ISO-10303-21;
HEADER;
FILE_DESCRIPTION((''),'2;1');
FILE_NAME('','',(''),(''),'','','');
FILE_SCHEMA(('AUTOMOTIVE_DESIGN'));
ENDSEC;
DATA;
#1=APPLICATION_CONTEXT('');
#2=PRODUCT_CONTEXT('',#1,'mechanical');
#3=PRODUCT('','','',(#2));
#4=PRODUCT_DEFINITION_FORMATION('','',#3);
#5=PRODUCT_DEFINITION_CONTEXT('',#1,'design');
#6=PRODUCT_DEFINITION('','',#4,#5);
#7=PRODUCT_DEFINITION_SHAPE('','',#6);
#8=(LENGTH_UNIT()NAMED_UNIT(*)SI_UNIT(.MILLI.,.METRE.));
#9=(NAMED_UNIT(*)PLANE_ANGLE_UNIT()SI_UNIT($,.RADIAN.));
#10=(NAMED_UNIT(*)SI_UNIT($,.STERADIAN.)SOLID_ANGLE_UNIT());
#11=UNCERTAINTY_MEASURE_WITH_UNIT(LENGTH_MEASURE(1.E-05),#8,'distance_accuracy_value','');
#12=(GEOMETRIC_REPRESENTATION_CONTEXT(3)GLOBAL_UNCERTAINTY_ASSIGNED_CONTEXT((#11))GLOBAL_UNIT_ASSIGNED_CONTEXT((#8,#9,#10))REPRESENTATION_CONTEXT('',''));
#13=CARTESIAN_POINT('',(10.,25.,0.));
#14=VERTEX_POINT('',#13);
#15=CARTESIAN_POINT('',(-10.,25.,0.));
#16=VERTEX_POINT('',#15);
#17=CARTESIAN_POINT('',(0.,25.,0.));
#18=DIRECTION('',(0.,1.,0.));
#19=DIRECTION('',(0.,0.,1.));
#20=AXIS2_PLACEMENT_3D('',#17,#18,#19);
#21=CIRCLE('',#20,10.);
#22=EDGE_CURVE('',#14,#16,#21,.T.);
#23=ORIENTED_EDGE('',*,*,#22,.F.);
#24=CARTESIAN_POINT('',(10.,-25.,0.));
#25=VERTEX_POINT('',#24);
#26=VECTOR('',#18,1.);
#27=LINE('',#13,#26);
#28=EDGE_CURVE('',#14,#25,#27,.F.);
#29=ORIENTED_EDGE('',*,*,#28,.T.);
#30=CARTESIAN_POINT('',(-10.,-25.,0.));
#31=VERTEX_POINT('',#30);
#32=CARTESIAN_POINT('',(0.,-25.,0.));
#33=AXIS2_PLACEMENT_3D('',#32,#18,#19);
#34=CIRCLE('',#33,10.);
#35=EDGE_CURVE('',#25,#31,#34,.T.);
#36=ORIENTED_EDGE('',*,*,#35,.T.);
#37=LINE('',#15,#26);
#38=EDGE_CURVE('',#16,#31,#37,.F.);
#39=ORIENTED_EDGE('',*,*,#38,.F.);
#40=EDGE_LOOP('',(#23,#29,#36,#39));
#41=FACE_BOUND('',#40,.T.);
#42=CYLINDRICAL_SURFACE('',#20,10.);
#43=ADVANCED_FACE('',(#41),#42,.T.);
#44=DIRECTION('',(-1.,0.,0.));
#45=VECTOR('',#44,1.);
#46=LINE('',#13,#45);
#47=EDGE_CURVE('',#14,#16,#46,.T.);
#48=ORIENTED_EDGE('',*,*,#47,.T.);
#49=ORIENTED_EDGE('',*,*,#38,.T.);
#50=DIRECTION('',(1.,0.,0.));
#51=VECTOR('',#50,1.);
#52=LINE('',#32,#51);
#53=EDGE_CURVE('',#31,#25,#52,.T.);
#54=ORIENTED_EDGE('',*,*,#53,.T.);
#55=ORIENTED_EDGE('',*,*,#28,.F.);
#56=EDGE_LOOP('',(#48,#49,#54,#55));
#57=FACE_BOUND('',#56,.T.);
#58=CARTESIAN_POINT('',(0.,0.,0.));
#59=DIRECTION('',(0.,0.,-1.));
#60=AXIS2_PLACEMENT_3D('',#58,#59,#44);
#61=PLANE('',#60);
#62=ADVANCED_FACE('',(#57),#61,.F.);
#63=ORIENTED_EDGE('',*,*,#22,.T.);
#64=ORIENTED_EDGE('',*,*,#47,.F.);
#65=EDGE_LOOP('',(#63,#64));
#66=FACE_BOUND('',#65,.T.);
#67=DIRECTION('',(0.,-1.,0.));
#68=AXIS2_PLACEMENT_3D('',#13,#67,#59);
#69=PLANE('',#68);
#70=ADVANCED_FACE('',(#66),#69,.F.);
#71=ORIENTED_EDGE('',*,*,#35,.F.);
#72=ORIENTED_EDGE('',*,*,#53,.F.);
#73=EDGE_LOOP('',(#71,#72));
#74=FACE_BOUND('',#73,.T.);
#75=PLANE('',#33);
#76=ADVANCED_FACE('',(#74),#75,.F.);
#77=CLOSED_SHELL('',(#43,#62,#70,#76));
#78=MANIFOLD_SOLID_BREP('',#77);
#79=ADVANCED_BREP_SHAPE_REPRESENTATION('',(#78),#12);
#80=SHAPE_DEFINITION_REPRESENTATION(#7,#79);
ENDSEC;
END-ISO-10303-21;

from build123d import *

# Parameters (mm, degrees)
SKETCH_1_W      = 10
SKETCH_1_H      = 50
REVOLVE_4_ANGLE = 180


with BuildPart() as part:
    # 스케치1 → 회전-얇게4 (revolve)
    with BuildSketch(Plane.XY):
        with Locations((5, 0)):
            Rectangle(SKETCH_1_W, SKETCH_1_H)
    revolve(axis=Axis((0, 25, 0), (0, 1, 0)), revolution_arc=REVOLVE_4_ANGLE)


solid = part.part
